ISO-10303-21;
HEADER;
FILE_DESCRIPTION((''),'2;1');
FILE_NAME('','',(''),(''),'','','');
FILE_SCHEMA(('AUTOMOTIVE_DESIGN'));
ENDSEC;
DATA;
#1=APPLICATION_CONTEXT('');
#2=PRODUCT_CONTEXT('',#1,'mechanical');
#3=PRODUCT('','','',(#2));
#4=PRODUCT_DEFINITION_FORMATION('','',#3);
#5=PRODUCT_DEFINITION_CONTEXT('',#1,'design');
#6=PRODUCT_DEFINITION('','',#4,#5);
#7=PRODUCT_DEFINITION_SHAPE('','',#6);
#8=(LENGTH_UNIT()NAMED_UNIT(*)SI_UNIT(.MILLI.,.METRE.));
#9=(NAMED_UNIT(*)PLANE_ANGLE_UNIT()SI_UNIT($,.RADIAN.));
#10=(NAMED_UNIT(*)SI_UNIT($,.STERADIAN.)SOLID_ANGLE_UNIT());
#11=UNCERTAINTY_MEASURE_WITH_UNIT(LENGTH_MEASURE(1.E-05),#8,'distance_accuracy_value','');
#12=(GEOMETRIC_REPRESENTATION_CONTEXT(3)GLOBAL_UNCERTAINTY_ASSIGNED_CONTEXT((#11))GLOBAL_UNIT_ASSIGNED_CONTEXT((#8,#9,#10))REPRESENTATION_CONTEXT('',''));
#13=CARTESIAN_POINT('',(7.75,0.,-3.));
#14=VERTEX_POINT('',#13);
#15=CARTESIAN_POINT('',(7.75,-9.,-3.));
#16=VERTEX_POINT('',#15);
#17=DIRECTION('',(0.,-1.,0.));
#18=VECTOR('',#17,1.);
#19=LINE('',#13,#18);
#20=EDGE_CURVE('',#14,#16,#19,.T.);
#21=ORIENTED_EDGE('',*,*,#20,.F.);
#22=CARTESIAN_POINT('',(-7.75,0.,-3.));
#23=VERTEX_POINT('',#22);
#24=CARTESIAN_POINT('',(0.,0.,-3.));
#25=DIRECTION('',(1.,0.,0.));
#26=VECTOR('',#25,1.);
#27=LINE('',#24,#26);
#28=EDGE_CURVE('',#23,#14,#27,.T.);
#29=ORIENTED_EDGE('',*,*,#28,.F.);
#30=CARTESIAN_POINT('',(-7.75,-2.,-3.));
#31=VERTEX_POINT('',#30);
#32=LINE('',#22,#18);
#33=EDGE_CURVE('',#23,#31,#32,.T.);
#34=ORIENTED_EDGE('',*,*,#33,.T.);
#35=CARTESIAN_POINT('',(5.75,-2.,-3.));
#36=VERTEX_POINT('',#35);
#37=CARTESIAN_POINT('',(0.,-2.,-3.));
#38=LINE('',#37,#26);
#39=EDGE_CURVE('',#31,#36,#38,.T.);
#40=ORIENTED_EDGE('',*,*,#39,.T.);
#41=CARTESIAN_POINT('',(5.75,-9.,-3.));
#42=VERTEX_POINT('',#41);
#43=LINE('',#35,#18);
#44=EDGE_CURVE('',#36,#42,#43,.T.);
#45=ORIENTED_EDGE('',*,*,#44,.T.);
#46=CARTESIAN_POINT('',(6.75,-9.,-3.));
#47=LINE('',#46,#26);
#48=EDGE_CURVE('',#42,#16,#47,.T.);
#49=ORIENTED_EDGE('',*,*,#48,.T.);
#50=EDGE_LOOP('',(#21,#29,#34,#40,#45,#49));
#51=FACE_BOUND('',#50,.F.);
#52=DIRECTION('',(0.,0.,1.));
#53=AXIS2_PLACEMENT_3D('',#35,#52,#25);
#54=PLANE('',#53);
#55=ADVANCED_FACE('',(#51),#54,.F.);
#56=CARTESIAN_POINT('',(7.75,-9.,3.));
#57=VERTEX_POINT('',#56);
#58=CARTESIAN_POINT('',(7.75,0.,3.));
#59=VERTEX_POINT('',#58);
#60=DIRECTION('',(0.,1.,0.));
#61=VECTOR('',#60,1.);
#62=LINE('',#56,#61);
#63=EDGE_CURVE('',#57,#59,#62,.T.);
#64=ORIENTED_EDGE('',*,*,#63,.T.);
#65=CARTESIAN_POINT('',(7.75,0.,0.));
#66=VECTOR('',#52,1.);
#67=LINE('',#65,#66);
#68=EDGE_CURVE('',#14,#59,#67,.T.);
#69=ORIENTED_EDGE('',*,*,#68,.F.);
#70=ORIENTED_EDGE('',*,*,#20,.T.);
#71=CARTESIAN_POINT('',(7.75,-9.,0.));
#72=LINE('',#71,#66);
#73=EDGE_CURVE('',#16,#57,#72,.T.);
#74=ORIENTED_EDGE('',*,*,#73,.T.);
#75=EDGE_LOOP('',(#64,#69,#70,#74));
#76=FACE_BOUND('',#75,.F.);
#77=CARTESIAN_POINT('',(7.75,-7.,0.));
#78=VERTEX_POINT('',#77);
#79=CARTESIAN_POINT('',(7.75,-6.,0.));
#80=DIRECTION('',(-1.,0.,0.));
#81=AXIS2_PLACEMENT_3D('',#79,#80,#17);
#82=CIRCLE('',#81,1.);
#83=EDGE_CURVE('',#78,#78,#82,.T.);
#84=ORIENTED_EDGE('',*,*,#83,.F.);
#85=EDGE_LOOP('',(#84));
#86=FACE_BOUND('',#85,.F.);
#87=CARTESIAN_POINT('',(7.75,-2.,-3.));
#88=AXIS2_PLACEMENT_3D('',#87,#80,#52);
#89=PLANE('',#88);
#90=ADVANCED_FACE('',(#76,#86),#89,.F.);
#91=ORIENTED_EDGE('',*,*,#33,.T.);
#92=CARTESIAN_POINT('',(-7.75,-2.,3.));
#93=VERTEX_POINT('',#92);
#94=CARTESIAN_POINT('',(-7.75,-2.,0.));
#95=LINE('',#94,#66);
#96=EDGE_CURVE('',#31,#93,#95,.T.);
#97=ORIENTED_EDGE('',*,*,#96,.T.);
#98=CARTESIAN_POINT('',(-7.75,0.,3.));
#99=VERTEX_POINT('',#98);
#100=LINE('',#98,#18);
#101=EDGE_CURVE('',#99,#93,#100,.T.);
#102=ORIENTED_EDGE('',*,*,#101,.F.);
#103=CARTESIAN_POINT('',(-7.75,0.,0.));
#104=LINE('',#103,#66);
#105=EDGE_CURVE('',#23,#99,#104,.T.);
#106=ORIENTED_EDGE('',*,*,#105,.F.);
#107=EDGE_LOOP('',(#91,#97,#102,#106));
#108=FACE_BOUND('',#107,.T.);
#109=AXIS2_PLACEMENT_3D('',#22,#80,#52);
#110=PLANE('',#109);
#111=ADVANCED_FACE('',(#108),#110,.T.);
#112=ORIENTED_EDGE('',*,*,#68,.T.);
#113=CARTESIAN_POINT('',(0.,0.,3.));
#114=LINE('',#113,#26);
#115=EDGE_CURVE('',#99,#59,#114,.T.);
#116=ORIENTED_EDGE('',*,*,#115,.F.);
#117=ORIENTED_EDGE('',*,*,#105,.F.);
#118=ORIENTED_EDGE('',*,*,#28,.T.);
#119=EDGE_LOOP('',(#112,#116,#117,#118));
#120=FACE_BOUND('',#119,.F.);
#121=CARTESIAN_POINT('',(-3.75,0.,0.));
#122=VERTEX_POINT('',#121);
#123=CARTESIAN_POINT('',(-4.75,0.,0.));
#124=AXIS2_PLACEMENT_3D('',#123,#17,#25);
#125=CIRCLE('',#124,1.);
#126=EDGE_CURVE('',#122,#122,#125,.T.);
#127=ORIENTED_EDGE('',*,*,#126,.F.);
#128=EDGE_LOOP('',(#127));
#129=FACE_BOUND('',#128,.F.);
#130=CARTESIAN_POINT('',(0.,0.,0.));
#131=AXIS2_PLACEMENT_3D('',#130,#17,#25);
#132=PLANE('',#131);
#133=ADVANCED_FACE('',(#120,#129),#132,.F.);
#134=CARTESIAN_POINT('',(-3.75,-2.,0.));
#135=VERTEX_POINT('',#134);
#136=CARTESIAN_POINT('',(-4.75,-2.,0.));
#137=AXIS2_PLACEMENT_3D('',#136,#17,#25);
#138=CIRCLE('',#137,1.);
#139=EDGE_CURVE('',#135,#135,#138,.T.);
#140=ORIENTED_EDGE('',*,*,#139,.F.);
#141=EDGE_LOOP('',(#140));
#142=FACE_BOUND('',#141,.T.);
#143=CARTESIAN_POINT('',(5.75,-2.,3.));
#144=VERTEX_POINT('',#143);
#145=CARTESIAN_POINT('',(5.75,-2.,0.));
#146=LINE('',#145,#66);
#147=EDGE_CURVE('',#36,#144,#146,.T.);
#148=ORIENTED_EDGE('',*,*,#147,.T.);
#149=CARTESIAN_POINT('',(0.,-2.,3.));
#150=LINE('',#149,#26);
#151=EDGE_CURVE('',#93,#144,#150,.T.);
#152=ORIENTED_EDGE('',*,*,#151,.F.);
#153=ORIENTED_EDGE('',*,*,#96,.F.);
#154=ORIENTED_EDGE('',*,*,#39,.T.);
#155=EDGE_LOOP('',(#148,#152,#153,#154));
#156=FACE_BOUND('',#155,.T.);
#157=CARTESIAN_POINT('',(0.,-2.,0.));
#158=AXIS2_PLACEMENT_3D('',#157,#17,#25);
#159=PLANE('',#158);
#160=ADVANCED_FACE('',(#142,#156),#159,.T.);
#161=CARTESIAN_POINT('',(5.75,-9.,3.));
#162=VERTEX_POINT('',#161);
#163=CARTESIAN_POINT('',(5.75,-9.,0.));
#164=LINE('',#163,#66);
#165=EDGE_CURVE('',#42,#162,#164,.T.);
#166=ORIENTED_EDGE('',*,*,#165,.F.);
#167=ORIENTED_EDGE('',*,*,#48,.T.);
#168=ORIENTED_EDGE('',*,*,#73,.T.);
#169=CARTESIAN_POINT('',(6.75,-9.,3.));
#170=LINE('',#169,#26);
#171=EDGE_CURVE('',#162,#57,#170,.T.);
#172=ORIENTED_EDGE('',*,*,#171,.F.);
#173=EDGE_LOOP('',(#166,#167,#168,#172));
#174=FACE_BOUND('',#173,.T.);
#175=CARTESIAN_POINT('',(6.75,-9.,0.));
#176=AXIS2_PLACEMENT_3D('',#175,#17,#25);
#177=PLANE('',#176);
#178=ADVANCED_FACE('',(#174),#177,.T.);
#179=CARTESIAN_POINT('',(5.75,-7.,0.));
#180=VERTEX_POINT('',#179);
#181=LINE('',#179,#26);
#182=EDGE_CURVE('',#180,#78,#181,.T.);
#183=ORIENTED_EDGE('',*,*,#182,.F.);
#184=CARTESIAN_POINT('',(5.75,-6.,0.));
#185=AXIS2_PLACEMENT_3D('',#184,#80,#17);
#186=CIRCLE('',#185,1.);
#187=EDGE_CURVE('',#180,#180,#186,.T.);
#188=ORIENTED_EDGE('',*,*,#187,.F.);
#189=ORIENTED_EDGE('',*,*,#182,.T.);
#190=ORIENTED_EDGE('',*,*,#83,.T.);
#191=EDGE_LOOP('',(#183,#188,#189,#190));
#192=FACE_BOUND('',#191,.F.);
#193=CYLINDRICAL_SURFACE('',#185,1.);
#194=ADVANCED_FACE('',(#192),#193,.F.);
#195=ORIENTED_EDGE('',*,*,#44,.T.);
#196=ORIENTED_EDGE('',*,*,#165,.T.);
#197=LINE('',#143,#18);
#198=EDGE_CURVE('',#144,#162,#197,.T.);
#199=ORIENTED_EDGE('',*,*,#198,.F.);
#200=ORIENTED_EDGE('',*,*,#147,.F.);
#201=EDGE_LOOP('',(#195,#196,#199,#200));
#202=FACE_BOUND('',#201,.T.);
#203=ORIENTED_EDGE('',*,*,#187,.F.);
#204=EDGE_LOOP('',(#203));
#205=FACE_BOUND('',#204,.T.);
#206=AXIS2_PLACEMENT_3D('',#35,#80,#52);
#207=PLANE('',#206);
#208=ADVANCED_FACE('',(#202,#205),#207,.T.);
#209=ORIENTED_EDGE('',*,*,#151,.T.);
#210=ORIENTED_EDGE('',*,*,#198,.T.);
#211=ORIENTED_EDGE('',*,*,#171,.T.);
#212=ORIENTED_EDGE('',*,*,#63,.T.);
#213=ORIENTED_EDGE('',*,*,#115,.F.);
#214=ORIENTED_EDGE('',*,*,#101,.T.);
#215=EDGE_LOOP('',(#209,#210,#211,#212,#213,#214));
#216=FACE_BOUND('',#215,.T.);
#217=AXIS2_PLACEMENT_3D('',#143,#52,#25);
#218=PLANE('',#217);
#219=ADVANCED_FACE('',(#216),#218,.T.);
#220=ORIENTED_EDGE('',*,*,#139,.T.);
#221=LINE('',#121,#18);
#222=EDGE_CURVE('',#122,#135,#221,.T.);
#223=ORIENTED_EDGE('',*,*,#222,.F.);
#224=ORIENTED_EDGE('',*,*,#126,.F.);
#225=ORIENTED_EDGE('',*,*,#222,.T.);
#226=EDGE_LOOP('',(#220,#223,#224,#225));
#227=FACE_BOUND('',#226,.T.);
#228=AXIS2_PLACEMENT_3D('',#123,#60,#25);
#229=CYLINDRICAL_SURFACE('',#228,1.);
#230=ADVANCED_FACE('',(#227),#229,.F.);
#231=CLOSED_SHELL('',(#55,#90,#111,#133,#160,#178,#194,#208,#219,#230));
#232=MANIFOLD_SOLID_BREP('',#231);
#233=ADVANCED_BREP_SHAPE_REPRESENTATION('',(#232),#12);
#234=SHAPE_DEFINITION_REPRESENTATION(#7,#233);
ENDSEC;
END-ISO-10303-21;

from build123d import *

# Parameters (mm, degrees)
F0_W     = 15.5
F0_H     = 6
F0_R     = 1
F1_DEPTH = 2
F2_W     = 2
F2_H     = 6
F3_DEPTH = 7
F4_R     = 1
F5_DEPTH = 25


with BuildPart() as f1:
    # F0 (on Front) → F1 (new body)
    with BuildSketch(Plane.XZ):
        Rectangle(F0_W, F0_H)
        with Locations((-4.75, 0)):
            Circle(F0_R, mode=Mode.SUBTRACT)
    extrude(amount=F1_DEPTH)

    # F2 (on face) → F3 (join)
    with BuildSketch(Plane.XZ.offset(2)):
        with Locations((6.75, 0)):
            Rectangle(F2_W, F2_H)
    extrude(amount=F3_DEPTH)

    # F4 (on face) → F5 (cut)
    with BuildSketch(Plane(origin=(5.75, 0, 0), x_dir=(0, -1, 0), z_dir=(-1, 0, 0))):
        with Locations((6, 0)):
            Circle(F4_R)
    extrude(amount=-F5_DEPTH, mode=Mode.SUBTRACT)


solid = f1.part
